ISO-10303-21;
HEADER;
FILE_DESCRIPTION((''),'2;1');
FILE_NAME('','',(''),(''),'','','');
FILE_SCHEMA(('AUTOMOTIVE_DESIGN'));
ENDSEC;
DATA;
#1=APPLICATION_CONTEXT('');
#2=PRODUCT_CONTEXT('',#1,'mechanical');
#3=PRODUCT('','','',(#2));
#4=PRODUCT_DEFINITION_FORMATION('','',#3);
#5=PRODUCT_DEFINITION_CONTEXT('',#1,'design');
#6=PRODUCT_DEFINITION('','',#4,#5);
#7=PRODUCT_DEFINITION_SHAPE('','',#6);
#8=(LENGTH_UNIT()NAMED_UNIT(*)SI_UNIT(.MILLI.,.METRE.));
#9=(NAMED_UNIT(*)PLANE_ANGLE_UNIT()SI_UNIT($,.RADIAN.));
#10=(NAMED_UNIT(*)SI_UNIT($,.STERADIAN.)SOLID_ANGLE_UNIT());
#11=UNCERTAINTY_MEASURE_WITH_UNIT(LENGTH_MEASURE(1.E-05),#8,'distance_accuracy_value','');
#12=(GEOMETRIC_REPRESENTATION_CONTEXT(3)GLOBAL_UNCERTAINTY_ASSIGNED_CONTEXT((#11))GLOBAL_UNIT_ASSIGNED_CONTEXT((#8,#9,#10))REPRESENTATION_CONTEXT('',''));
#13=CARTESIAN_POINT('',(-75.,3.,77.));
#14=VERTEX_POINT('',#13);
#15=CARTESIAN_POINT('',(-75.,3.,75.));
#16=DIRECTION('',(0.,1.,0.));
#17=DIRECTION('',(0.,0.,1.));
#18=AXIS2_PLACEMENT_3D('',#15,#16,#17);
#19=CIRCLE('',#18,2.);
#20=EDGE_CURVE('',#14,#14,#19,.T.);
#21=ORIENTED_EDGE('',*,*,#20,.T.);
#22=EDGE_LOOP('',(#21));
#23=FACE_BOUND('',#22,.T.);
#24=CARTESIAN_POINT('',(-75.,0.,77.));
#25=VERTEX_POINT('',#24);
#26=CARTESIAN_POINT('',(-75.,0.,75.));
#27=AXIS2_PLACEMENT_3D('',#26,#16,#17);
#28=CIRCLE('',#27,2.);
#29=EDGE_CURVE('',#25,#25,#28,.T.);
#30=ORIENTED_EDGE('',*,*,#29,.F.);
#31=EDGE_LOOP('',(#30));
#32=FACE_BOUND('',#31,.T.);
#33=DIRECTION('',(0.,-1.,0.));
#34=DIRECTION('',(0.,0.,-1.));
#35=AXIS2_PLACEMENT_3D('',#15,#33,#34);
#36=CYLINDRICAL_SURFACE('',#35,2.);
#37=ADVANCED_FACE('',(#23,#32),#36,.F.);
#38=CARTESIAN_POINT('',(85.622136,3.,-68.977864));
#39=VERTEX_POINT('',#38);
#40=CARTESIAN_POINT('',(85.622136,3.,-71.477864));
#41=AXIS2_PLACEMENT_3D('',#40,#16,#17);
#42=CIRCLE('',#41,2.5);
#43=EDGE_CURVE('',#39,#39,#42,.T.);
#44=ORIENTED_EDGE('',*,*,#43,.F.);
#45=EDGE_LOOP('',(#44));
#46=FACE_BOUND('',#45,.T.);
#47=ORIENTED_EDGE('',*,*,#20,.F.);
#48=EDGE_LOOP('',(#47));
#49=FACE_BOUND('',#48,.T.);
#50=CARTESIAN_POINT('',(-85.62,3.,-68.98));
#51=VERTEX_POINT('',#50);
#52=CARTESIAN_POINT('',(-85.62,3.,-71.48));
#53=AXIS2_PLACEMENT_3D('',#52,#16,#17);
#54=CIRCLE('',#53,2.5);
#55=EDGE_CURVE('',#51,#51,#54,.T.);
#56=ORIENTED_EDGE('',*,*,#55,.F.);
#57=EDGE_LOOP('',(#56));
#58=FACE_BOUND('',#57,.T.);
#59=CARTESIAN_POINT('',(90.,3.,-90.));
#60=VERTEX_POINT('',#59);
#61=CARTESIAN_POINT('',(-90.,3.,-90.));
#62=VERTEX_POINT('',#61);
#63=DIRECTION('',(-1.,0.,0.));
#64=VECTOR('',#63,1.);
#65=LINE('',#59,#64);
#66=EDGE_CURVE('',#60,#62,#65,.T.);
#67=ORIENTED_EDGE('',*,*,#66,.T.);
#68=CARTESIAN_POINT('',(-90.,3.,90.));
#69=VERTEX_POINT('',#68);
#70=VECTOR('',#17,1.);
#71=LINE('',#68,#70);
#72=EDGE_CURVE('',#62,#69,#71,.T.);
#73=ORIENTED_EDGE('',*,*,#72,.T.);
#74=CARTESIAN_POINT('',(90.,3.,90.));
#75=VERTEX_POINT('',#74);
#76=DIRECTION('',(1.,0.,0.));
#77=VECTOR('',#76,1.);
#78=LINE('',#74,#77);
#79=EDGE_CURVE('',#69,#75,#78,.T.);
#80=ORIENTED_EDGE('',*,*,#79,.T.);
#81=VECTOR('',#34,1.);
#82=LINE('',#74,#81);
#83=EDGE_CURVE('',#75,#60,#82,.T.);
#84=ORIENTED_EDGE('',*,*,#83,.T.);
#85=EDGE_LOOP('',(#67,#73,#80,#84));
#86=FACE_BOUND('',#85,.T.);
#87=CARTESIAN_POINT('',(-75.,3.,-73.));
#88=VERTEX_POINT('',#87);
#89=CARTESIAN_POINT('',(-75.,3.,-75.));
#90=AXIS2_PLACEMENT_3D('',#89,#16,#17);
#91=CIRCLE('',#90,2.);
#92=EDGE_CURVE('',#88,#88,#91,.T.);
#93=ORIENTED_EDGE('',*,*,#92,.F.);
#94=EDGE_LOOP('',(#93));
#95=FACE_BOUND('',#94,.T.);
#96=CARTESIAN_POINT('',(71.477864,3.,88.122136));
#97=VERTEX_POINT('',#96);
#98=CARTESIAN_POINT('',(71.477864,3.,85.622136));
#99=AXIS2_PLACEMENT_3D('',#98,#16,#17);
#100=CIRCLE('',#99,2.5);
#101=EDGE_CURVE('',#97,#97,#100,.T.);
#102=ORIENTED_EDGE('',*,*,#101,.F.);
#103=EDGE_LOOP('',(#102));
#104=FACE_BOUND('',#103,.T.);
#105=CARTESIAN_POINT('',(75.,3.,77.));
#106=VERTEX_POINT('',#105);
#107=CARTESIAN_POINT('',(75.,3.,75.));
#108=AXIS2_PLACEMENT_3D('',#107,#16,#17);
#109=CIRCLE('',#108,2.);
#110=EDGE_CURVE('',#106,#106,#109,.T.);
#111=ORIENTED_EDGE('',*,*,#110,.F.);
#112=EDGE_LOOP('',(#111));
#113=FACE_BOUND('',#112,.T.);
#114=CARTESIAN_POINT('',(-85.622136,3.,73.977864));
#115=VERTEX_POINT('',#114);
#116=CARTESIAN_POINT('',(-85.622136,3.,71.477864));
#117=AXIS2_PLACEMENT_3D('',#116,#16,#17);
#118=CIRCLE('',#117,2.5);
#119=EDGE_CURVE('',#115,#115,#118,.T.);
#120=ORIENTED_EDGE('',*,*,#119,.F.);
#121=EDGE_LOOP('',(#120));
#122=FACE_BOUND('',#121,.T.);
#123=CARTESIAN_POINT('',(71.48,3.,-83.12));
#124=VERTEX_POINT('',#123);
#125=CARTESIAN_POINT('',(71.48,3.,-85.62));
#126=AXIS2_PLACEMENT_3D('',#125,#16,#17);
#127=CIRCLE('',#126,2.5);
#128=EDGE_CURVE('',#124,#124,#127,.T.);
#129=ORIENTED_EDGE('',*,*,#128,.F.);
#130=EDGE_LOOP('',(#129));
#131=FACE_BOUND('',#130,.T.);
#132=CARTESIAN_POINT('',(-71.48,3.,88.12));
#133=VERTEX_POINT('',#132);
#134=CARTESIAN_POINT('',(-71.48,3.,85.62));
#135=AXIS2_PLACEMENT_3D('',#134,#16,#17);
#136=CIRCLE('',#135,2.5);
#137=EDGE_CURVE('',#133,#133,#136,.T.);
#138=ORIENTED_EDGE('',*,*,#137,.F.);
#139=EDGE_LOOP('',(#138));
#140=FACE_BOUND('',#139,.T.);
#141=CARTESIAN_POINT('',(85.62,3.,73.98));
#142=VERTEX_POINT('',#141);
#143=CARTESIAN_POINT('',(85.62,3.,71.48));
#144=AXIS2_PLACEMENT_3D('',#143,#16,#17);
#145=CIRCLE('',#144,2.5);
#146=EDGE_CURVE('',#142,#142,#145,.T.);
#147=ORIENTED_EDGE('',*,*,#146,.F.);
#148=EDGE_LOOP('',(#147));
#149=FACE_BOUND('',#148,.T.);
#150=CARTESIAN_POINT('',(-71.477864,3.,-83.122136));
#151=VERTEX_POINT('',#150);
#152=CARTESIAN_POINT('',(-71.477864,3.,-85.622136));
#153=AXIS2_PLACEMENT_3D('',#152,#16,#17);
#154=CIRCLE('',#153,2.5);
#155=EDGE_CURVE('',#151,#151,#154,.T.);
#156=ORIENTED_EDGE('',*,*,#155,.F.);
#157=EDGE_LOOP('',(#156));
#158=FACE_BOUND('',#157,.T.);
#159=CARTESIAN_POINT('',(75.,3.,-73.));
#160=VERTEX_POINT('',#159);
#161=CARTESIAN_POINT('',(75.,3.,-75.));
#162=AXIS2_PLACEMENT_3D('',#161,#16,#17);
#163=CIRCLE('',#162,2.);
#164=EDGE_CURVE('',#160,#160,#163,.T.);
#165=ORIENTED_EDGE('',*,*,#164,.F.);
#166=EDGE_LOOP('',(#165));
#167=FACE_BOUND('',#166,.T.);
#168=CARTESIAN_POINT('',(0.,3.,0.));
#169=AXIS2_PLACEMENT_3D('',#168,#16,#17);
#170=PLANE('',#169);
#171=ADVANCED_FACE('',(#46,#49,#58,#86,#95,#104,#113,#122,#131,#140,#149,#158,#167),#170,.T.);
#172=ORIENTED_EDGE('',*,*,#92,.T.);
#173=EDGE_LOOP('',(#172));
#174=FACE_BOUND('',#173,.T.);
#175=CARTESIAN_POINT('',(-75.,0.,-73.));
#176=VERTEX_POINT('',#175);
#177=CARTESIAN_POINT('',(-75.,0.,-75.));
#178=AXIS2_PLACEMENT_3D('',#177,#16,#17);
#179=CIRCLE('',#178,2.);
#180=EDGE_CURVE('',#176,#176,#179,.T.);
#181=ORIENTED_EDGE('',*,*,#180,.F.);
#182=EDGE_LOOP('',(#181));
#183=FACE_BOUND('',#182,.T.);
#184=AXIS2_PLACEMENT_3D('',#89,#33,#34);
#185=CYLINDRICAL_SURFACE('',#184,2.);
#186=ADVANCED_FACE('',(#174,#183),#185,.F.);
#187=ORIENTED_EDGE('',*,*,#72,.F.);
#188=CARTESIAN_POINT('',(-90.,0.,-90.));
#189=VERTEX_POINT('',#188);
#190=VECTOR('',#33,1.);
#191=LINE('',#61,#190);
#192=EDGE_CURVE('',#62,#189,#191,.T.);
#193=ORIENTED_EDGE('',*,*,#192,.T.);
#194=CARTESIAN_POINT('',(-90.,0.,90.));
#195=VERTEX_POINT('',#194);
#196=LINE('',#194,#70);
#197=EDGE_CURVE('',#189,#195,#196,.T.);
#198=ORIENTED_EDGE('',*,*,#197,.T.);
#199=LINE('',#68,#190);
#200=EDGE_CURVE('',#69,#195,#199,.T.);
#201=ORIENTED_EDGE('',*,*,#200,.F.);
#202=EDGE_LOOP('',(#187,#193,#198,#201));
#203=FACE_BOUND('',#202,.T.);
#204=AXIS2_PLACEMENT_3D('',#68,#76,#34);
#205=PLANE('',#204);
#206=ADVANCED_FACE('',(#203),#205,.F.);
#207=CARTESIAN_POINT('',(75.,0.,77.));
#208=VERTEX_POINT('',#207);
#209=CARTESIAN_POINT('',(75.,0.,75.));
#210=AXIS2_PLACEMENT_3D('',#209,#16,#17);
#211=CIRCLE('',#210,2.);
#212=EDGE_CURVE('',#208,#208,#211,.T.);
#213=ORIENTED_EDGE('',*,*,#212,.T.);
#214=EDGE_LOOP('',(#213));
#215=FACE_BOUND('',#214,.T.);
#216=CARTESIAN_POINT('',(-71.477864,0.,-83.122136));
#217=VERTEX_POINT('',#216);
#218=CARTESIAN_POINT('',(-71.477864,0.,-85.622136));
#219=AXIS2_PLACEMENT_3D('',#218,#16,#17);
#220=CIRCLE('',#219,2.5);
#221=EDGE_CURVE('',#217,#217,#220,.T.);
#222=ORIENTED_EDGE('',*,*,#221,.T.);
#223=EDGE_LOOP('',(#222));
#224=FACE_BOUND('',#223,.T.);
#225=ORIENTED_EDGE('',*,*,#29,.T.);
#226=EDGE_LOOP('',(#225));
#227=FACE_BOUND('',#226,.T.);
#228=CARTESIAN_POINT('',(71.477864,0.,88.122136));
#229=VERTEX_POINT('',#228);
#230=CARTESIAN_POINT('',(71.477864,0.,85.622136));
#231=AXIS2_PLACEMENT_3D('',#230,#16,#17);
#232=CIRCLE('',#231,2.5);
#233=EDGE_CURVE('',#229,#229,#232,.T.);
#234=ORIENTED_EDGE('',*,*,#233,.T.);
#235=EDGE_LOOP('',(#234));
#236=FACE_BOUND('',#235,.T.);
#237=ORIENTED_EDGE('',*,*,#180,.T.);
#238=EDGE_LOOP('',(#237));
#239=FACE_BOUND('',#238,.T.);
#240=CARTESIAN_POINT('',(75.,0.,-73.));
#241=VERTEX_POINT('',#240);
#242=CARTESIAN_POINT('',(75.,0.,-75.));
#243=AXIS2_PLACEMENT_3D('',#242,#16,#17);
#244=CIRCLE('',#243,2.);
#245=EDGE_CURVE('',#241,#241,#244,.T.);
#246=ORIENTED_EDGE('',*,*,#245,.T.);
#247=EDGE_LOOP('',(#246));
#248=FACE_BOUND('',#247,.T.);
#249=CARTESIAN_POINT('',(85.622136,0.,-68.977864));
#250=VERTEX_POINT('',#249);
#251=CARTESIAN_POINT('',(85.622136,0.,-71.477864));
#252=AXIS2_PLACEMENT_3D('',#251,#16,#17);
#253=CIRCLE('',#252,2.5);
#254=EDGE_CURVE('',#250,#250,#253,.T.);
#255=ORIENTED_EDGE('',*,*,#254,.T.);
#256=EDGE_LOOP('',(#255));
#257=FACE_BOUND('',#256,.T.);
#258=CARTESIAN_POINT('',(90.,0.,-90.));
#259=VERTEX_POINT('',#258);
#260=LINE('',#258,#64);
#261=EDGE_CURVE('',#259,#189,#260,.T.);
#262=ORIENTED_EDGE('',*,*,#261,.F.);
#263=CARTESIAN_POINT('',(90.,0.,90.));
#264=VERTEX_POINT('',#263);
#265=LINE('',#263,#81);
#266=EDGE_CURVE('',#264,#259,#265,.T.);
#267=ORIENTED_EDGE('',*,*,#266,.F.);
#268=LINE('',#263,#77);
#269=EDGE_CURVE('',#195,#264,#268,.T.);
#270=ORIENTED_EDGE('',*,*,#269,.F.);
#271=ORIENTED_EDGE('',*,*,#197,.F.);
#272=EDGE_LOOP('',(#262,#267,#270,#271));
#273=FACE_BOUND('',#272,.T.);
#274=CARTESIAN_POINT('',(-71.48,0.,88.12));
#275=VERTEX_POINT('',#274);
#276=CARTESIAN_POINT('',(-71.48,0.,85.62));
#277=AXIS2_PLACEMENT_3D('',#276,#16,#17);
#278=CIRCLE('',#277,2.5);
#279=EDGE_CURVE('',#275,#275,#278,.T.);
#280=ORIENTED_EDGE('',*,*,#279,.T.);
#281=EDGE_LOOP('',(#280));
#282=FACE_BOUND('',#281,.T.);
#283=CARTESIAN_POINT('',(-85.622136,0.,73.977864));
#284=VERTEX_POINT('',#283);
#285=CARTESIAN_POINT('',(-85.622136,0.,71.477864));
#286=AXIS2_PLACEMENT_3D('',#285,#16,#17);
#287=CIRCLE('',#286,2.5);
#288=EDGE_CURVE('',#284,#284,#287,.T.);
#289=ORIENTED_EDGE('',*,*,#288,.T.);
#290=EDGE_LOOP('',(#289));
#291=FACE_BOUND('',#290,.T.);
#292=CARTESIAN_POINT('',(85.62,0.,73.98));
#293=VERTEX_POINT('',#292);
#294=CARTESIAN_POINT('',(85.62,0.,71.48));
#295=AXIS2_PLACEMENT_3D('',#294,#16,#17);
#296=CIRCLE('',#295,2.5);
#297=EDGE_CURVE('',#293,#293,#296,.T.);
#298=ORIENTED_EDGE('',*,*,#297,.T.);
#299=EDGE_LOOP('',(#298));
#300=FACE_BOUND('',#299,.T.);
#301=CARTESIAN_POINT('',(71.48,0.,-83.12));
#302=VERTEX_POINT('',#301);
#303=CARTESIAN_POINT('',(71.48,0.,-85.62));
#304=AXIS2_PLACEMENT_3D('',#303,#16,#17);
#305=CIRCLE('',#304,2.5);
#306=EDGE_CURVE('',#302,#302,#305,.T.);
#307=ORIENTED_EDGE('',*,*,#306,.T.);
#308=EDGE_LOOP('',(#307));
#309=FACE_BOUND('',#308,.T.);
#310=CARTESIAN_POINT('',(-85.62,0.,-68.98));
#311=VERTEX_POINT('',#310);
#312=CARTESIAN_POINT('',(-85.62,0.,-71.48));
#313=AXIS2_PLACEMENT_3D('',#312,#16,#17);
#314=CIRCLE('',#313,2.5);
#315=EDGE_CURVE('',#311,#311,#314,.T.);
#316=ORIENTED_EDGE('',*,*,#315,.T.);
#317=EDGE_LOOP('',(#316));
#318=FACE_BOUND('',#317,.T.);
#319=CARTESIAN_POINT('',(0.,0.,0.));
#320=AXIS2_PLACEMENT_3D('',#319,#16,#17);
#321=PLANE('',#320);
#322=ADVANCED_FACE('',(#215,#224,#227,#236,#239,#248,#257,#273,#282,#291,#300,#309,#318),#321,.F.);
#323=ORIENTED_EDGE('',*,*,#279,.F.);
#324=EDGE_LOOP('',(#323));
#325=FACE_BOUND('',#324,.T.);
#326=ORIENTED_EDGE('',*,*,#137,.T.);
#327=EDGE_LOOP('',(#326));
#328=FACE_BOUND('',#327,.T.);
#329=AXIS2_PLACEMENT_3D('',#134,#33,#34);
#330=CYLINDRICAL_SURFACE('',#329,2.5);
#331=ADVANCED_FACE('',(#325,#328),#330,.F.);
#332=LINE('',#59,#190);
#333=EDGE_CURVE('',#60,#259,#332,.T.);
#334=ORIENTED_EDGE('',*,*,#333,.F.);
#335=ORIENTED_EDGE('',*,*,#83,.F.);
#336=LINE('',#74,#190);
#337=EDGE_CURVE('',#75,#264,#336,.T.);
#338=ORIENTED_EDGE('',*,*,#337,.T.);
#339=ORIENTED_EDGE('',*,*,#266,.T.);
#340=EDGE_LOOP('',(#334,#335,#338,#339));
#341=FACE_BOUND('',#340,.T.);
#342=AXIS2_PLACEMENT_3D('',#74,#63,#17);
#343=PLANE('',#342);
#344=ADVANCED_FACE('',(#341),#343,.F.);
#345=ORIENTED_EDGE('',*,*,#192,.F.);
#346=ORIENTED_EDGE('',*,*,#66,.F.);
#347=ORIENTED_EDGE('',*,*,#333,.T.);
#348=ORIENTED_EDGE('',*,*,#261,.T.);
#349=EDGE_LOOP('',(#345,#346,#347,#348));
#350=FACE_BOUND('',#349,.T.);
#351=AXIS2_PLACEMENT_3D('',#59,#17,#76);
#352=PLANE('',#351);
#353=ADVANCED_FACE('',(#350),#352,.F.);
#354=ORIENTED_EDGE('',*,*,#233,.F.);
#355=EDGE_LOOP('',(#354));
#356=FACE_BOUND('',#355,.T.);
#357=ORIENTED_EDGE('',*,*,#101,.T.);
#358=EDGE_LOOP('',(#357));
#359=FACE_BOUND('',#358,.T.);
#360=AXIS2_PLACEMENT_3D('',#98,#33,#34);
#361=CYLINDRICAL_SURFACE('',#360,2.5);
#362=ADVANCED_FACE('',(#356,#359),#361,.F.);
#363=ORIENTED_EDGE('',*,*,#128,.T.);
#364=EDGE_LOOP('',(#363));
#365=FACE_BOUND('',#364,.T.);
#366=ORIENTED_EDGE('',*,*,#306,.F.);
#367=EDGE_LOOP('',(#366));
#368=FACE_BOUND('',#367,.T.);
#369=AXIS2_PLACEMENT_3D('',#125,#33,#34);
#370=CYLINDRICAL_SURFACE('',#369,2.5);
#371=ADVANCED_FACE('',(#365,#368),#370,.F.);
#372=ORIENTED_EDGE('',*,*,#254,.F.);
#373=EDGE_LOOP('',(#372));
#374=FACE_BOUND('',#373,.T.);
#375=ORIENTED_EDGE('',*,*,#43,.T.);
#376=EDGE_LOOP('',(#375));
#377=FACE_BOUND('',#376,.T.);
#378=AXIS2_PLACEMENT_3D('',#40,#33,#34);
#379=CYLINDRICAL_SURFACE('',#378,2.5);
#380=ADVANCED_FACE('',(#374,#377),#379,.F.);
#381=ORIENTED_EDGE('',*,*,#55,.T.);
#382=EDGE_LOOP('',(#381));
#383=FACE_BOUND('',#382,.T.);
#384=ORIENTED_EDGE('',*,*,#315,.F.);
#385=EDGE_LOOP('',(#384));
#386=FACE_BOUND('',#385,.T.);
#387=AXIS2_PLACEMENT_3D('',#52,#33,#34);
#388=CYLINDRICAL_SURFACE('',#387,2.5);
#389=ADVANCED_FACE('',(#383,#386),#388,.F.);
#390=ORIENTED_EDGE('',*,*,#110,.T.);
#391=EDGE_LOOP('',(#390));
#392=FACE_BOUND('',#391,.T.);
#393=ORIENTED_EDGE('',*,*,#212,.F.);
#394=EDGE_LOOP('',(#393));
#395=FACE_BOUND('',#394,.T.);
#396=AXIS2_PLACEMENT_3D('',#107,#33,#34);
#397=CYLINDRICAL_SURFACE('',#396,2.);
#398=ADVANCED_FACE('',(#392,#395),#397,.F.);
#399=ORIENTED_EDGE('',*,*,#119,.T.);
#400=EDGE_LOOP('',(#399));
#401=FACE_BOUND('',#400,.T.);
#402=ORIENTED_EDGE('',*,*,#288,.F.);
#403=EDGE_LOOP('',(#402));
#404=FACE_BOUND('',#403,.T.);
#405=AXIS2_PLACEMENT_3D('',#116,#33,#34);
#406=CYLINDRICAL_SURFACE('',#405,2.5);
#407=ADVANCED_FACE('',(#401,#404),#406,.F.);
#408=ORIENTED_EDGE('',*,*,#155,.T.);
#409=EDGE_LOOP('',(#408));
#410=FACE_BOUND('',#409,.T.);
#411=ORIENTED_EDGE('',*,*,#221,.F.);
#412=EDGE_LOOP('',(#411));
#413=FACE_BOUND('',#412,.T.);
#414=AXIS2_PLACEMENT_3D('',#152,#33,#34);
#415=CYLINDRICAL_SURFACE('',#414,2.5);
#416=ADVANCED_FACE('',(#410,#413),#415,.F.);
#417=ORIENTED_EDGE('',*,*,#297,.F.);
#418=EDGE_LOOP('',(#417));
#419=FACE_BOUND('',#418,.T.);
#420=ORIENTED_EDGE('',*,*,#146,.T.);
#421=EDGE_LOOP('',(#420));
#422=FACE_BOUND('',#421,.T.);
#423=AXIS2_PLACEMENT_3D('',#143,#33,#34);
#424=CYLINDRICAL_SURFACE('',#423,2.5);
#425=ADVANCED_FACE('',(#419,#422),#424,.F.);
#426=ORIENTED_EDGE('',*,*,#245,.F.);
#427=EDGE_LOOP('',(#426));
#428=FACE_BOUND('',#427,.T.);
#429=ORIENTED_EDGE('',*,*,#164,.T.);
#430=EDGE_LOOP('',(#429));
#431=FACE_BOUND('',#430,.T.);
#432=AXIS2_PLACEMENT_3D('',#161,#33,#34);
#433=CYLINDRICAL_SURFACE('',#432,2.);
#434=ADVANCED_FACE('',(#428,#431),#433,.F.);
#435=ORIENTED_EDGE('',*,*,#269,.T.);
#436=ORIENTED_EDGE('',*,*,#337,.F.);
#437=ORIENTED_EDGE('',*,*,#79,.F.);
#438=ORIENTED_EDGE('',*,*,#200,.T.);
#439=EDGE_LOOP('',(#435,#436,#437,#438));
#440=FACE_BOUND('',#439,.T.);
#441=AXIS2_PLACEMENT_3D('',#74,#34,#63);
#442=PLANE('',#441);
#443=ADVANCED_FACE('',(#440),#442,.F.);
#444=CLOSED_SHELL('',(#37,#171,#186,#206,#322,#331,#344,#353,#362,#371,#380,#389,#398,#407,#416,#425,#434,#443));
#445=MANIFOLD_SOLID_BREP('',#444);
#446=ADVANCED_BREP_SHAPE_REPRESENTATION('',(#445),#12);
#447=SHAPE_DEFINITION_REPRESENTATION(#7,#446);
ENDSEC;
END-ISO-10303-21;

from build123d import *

# Parameters (mm, degrees)
SKETCH1_W           = 180
SKETCH1_H           = 180
SKETCH1_R           = 2
SKETCH1_R_2         = 2.5
BOSS_EXTRUDE1_DEPTH = 3


with BuildPart() as part:
    # Sketch1 → Boss-Extrude1 (new body)
    with BuildSketch(Plane(origin=(0, 0, 0), x_dir=(1, 0, 0), z_dir=(0, 1, 0))):
        Rectangle(SKETCH1_W, SKETCH1_H)
        with Locations((-75, 75)):
            Circle(SKETCH1_R, mode=Mode.SUBTRACT)
        with Locations((75, 75)):
            Circle(SKETCH1_R, mode=Mode.SUBTRACT)
        with Locations((-75, -75)):
            Circle(SKETCH1_R, mode=Mode.SUBTRACT)
        with Locations((75, -75)):
            Circle(SKETCH1_R, mode=Mode.SUBTRACT)
        with Locations((-85.62, 71.48)):
            Circle(SKETCH1_R_2, mode=Mode.SUBTRACT)
        with Locations((-71.477864376, 85.622135624)):
            Circle(SKETCH1_R_2, mode=Mode.SUBTRACT)
        with Locations((85.622135624, 71.477864376)):
            Circle(SKETCH1_R_2, mode=Mode.SUBTRACT)
        with Locations((71.48, 85.62)):
            Circle(SKETCH1_R_2, mode=Mode.SUBTRACT)
        with Locations((71.477864376, -85.622135624)):
            Circle(SKETCH1_R_2, mode=Mode.SUBTRACT)
        with Locations((85.62, -71.48)):
            Circle(SKETCH1_R_2, mode=Mode.SUBTRACT)
        with Locations((-85.622135624, -71.477864376)):
            Circle(SKETCH1_R_2, mode=Mode.SUBTRACT)
        with Locations((-71.48, -85.62)):
            Circle(SKETCH1_R_2, mode=Mode.SUBTRACT)
    extrude(amount=BOSS_EXTRUDE1_DEPTH)


solid = part.part
